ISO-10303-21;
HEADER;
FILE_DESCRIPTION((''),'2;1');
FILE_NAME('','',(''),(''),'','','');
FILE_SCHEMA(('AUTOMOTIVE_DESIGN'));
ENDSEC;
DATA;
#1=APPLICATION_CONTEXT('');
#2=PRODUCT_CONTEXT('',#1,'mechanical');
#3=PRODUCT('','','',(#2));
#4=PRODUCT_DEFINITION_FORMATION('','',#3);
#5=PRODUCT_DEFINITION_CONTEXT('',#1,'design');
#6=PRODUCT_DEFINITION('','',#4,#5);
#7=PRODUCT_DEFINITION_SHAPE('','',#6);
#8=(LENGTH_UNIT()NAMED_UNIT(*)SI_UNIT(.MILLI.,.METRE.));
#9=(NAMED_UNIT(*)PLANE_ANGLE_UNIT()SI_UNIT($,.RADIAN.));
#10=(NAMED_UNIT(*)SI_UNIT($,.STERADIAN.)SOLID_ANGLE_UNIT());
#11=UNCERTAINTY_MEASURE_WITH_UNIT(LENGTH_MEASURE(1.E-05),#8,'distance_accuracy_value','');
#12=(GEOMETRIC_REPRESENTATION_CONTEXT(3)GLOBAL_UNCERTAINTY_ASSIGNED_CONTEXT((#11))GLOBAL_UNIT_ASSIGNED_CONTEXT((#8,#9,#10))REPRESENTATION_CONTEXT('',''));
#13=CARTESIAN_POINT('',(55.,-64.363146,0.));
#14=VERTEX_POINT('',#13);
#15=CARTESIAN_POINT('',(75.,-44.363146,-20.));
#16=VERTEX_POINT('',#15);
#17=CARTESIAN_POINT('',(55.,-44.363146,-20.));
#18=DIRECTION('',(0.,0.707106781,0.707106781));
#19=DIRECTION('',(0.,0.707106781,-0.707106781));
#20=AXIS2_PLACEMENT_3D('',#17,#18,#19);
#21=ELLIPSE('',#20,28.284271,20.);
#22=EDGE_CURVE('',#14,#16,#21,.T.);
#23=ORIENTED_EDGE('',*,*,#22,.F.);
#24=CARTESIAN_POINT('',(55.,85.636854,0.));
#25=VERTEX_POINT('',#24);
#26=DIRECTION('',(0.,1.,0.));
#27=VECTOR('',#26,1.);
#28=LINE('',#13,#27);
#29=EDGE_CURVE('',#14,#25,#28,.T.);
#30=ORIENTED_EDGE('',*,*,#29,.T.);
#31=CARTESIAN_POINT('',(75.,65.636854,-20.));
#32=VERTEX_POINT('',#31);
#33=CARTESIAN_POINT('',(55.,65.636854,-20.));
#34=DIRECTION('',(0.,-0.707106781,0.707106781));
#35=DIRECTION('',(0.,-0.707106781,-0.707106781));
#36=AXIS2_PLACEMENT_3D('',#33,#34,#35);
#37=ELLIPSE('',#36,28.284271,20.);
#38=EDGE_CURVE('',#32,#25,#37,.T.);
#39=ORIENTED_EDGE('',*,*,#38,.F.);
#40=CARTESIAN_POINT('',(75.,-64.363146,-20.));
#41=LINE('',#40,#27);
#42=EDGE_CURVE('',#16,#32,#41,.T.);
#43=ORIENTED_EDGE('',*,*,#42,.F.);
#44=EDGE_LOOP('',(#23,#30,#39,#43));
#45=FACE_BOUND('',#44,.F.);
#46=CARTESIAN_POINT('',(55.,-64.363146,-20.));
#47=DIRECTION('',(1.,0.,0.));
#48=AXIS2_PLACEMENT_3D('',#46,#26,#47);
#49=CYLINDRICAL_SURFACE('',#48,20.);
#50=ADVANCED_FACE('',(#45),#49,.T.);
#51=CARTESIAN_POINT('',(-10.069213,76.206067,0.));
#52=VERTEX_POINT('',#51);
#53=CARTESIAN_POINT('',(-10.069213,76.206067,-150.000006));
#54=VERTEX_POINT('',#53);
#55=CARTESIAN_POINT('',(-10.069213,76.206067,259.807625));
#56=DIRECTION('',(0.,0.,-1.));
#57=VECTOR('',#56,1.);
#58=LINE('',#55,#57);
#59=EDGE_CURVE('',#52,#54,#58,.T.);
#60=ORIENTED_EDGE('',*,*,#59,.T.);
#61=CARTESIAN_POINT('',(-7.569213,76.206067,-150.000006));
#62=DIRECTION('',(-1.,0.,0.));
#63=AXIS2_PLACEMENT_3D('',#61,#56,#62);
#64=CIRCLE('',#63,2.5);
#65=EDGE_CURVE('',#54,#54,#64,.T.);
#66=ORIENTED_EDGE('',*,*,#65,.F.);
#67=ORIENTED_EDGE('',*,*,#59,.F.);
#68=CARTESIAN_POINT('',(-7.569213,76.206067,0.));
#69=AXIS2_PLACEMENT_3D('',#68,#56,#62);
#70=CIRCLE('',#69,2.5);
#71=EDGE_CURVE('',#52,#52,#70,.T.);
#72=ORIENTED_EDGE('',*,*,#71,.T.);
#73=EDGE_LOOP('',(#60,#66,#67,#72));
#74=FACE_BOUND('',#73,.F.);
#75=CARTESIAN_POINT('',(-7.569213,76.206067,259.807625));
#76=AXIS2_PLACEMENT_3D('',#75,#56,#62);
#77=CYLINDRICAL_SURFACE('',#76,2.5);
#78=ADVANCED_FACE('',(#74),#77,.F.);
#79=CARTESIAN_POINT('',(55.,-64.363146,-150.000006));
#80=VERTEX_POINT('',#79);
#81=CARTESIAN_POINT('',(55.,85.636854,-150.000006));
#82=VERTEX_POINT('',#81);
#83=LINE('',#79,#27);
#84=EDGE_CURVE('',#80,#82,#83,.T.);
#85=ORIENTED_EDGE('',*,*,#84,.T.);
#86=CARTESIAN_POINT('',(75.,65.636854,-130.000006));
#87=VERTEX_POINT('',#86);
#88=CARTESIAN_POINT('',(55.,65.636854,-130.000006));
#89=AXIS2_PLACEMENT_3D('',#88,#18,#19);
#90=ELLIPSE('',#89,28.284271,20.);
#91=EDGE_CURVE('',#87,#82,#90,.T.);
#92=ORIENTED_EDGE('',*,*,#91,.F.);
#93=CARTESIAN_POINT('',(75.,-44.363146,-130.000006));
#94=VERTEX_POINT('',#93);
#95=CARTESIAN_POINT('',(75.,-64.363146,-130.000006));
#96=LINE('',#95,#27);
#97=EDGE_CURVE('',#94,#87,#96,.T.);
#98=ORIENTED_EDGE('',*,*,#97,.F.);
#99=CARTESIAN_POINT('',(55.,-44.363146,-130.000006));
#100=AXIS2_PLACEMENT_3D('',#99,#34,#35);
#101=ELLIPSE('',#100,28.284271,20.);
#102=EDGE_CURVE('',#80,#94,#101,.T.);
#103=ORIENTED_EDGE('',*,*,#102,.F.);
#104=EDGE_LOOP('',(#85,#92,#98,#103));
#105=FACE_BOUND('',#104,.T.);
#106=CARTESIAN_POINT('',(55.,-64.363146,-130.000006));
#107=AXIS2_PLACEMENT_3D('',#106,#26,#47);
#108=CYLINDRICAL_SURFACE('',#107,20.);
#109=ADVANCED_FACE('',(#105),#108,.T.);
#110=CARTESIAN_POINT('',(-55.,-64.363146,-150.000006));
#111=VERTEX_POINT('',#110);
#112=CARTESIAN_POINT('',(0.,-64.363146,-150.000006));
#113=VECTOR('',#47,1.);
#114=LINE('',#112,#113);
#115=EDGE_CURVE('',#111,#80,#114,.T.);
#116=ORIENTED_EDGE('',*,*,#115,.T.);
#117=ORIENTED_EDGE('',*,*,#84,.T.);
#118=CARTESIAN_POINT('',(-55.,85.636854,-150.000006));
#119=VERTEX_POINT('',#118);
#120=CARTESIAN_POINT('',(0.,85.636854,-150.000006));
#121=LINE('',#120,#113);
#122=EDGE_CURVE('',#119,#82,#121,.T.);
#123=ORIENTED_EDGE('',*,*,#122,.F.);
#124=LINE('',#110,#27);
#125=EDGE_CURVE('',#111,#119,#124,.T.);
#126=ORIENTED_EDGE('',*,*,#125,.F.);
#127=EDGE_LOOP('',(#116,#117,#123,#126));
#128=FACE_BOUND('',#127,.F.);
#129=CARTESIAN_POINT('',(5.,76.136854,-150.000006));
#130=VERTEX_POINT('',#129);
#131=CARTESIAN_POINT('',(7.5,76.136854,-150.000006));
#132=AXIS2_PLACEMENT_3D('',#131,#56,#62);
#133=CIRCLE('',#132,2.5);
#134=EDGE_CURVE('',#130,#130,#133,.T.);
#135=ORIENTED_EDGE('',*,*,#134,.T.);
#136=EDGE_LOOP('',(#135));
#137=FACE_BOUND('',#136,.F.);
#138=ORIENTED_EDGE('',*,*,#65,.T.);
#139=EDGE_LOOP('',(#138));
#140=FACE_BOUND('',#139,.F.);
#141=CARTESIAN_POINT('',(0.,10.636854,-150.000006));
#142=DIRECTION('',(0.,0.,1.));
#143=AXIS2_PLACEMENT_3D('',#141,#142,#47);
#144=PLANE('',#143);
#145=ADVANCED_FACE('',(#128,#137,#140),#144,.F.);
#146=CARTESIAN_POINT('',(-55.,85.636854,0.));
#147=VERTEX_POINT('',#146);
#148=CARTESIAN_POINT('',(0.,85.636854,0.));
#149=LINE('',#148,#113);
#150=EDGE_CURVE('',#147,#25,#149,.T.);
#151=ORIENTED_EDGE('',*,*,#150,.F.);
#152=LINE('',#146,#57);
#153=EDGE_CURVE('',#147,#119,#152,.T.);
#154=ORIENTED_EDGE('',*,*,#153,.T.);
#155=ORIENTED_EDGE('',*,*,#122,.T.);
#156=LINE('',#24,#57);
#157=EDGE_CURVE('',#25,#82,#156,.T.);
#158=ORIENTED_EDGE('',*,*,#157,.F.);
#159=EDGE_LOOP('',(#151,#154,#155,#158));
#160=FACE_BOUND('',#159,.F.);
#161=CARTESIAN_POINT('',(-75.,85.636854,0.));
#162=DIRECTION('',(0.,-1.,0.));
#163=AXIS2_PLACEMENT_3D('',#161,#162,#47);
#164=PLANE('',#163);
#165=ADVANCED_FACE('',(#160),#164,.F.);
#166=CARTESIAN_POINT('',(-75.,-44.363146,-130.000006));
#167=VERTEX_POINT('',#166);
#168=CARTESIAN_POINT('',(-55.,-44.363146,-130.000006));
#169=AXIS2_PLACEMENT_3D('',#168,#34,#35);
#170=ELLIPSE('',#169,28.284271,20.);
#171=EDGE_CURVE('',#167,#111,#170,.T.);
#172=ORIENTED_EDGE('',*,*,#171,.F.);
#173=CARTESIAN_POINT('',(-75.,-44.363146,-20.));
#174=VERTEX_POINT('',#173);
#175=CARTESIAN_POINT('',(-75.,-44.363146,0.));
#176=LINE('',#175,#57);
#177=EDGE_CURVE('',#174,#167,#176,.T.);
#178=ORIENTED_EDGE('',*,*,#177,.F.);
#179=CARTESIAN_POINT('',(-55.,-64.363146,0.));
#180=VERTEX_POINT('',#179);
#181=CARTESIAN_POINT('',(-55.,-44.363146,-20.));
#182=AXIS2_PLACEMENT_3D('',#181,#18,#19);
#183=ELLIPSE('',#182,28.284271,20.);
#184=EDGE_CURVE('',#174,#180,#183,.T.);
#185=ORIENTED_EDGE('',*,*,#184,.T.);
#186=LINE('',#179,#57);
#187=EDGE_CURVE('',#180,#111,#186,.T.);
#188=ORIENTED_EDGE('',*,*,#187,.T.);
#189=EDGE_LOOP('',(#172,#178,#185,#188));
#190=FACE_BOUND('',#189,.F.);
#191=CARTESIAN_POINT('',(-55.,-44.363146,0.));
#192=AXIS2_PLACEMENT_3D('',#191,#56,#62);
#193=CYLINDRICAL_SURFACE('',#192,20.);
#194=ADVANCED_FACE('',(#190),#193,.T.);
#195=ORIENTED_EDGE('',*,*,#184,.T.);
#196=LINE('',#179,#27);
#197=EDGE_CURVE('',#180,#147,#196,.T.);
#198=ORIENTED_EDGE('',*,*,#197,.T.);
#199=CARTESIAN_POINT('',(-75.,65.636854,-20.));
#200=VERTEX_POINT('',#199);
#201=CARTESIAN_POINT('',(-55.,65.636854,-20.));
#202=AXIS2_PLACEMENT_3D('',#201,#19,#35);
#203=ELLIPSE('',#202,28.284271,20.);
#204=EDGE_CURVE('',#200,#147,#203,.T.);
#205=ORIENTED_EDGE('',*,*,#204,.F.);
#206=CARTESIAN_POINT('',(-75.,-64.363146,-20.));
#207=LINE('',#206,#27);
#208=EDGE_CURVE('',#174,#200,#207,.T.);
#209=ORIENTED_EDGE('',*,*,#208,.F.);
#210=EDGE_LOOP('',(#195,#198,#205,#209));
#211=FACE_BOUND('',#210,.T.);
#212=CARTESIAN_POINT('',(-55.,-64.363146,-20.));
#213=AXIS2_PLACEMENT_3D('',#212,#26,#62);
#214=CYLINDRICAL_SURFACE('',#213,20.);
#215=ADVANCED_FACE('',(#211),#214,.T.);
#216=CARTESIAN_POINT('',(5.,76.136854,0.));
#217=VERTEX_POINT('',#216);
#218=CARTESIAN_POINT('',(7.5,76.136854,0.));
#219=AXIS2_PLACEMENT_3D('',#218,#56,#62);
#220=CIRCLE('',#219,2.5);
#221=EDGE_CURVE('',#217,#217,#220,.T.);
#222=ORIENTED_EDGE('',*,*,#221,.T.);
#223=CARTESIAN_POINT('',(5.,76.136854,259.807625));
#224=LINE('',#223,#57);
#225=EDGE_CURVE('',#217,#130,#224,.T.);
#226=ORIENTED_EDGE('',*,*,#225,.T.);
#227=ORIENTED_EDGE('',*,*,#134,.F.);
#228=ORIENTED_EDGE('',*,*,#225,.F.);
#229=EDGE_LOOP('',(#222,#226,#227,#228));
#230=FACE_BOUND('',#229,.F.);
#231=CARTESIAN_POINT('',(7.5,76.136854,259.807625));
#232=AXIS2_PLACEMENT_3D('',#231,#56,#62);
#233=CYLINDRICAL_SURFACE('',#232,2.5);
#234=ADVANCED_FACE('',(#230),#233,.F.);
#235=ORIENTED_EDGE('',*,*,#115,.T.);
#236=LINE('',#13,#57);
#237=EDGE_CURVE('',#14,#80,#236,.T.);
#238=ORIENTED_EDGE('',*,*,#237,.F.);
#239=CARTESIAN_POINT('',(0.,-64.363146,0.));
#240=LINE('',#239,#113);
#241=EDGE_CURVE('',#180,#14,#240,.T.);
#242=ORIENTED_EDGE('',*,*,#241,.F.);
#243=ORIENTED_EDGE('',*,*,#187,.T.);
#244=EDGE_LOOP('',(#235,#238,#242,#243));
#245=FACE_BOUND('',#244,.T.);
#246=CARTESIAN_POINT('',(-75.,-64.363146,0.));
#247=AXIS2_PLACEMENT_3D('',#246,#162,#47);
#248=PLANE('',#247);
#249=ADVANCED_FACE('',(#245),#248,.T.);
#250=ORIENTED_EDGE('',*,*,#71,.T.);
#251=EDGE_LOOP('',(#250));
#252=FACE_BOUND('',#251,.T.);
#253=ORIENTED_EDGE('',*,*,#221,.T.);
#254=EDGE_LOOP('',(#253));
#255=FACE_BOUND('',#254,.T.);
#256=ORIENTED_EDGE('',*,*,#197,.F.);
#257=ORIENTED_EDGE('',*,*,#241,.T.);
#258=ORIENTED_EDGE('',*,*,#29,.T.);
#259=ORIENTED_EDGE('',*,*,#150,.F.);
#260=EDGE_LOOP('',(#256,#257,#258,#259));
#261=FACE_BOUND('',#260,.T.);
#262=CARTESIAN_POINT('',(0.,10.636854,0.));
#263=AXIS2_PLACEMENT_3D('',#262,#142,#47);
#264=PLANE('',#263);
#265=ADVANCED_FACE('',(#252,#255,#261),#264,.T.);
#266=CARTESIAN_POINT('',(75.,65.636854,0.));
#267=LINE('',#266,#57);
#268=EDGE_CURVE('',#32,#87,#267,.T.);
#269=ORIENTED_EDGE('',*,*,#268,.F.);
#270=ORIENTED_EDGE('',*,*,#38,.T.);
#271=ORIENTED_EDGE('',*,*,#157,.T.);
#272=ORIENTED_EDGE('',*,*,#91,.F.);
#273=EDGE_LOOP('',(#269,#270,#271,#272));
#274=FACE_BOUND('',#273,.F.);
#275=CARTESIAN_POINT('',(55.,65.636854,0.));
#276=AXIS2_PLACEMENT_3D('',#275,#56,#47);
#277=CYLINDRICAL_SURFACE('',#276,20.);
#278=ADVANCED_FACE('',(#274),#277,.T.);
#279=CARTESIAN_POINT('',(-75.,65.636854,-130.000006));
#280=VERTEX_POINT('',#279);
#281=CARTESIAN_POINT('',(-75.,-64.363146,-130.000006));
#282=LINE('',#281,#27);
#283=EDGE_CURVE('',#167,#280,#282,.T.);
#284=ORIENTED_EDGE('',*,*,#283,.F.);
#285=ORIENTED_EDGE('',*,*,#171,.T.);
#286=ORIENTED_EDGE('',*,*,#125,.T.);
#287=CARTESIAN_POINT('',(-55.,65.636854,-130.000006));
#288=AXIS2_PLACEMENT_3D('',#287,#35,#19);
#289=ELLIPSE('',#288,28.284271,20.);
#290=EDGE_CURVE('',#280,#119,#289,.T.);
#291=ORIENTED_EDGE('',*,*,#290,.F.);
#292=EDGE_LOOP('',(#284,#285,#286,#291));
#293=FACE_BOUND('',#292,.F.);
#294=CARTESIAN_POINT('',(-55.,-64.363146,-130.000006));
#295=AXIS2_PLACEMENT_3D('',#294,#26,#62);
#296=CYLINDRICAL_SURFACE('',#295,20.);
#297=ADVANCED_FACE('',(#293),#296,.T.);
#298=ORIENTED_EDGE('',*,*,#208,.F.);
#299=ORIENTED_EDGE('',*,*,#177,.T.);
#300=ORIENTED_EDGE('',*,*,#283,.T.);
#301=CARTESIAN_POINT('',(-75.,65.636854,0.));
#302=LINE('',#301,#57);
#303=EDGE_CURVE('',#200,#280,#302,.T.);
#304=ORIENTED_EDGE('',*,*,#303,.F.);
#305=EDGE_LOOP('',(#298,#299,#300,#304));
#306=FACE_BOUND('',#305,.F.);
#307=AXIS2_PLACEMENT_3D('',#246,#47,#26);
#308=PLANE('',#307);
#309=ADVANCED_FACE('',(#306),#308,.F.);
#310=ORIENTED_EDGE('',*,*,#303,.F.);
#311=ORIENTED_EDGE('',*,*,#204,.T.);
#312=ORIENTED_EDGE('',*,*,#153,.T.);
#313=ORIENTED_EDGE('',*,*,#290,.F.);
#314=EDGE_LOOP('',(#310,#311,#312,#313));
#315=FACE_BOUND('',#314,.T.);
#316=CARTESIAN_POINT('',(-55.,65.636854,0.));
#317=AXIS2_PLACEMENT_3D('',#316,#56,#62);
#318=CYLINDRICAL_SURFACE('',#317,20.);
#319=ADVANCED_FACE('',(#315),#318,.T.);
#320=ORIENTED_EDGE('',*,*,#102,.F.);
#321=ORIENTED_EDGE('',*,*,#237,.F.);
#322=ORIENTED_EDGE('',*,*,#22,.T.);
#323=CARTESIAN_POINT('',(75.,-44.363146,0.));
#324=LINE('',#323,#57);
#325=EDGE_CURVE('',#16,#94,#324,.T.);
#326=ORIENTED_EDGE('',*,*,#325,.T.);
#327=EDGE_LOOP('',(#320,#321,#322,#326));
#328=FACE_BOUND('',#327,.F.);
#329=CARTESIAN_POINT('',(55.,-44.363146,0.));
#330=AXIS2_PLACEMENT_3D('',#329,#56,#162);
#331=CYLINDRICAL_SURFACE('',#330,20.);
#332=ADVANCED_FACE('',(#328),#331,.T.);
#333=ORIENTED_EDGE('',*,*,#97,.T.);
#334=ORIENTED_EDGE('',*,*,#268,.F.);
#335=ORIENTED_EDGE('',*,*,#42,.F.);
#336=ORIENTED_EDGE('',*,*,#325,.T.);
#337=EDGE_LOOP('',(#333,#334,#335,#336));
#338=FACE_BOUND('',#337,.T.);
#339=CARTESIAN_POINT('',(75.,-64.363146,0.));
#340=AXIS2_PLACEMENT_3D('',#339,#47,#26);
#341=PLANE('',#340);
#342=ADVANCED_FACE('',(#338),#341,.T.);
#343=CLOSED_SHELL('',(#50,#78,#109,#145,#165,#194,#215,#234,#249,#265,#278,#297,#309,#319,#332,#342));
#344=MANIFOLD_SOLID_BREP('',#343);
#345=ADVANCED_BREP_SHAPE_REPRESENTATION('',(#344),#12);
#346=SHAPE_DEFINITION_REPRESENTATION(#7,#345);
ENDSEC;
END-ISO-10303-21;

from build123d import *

# Parameters (mm, degrees)
F0_W     = 150
F0_H     = 150
F1_DEPTH = 150.000006
F2_R     = 20
F4_D     = 5


with BuildPart() as f1:
    # F0 (on Top) → F1 (new body)
    with BuildSketch(Plane.XY):
        with Locations((0, 10.636854)):
            Rectangle(F0_W, F0_H)
    extrude(amount=-F1_DEPTH)

    # F2
    f2_edges = [f1.edges().sort_by_distance(p)[0] for p in [
        (-75, 85.636854, -75.000003),
        (-75, -64.363146, -75.000003),
        (-75, 10.636854, 0),
        (-75, 10.636854, -150.000006),
        (75, -64.363146, -75.000003),
        (75, 85.636854, -75.000003),
        (75, 10.636854, 0),
        (75, 10.636854, -150.000006),
    ]]
    fillet(f2_edges, radius=F2_R)

    # F4 (through all)
    with Locations(Plane.XY):
        with Locations((7.5, 76.136854), (-7.569213, 76.206067)):
            Hole(F4_D / 2)


solid = f1.part
